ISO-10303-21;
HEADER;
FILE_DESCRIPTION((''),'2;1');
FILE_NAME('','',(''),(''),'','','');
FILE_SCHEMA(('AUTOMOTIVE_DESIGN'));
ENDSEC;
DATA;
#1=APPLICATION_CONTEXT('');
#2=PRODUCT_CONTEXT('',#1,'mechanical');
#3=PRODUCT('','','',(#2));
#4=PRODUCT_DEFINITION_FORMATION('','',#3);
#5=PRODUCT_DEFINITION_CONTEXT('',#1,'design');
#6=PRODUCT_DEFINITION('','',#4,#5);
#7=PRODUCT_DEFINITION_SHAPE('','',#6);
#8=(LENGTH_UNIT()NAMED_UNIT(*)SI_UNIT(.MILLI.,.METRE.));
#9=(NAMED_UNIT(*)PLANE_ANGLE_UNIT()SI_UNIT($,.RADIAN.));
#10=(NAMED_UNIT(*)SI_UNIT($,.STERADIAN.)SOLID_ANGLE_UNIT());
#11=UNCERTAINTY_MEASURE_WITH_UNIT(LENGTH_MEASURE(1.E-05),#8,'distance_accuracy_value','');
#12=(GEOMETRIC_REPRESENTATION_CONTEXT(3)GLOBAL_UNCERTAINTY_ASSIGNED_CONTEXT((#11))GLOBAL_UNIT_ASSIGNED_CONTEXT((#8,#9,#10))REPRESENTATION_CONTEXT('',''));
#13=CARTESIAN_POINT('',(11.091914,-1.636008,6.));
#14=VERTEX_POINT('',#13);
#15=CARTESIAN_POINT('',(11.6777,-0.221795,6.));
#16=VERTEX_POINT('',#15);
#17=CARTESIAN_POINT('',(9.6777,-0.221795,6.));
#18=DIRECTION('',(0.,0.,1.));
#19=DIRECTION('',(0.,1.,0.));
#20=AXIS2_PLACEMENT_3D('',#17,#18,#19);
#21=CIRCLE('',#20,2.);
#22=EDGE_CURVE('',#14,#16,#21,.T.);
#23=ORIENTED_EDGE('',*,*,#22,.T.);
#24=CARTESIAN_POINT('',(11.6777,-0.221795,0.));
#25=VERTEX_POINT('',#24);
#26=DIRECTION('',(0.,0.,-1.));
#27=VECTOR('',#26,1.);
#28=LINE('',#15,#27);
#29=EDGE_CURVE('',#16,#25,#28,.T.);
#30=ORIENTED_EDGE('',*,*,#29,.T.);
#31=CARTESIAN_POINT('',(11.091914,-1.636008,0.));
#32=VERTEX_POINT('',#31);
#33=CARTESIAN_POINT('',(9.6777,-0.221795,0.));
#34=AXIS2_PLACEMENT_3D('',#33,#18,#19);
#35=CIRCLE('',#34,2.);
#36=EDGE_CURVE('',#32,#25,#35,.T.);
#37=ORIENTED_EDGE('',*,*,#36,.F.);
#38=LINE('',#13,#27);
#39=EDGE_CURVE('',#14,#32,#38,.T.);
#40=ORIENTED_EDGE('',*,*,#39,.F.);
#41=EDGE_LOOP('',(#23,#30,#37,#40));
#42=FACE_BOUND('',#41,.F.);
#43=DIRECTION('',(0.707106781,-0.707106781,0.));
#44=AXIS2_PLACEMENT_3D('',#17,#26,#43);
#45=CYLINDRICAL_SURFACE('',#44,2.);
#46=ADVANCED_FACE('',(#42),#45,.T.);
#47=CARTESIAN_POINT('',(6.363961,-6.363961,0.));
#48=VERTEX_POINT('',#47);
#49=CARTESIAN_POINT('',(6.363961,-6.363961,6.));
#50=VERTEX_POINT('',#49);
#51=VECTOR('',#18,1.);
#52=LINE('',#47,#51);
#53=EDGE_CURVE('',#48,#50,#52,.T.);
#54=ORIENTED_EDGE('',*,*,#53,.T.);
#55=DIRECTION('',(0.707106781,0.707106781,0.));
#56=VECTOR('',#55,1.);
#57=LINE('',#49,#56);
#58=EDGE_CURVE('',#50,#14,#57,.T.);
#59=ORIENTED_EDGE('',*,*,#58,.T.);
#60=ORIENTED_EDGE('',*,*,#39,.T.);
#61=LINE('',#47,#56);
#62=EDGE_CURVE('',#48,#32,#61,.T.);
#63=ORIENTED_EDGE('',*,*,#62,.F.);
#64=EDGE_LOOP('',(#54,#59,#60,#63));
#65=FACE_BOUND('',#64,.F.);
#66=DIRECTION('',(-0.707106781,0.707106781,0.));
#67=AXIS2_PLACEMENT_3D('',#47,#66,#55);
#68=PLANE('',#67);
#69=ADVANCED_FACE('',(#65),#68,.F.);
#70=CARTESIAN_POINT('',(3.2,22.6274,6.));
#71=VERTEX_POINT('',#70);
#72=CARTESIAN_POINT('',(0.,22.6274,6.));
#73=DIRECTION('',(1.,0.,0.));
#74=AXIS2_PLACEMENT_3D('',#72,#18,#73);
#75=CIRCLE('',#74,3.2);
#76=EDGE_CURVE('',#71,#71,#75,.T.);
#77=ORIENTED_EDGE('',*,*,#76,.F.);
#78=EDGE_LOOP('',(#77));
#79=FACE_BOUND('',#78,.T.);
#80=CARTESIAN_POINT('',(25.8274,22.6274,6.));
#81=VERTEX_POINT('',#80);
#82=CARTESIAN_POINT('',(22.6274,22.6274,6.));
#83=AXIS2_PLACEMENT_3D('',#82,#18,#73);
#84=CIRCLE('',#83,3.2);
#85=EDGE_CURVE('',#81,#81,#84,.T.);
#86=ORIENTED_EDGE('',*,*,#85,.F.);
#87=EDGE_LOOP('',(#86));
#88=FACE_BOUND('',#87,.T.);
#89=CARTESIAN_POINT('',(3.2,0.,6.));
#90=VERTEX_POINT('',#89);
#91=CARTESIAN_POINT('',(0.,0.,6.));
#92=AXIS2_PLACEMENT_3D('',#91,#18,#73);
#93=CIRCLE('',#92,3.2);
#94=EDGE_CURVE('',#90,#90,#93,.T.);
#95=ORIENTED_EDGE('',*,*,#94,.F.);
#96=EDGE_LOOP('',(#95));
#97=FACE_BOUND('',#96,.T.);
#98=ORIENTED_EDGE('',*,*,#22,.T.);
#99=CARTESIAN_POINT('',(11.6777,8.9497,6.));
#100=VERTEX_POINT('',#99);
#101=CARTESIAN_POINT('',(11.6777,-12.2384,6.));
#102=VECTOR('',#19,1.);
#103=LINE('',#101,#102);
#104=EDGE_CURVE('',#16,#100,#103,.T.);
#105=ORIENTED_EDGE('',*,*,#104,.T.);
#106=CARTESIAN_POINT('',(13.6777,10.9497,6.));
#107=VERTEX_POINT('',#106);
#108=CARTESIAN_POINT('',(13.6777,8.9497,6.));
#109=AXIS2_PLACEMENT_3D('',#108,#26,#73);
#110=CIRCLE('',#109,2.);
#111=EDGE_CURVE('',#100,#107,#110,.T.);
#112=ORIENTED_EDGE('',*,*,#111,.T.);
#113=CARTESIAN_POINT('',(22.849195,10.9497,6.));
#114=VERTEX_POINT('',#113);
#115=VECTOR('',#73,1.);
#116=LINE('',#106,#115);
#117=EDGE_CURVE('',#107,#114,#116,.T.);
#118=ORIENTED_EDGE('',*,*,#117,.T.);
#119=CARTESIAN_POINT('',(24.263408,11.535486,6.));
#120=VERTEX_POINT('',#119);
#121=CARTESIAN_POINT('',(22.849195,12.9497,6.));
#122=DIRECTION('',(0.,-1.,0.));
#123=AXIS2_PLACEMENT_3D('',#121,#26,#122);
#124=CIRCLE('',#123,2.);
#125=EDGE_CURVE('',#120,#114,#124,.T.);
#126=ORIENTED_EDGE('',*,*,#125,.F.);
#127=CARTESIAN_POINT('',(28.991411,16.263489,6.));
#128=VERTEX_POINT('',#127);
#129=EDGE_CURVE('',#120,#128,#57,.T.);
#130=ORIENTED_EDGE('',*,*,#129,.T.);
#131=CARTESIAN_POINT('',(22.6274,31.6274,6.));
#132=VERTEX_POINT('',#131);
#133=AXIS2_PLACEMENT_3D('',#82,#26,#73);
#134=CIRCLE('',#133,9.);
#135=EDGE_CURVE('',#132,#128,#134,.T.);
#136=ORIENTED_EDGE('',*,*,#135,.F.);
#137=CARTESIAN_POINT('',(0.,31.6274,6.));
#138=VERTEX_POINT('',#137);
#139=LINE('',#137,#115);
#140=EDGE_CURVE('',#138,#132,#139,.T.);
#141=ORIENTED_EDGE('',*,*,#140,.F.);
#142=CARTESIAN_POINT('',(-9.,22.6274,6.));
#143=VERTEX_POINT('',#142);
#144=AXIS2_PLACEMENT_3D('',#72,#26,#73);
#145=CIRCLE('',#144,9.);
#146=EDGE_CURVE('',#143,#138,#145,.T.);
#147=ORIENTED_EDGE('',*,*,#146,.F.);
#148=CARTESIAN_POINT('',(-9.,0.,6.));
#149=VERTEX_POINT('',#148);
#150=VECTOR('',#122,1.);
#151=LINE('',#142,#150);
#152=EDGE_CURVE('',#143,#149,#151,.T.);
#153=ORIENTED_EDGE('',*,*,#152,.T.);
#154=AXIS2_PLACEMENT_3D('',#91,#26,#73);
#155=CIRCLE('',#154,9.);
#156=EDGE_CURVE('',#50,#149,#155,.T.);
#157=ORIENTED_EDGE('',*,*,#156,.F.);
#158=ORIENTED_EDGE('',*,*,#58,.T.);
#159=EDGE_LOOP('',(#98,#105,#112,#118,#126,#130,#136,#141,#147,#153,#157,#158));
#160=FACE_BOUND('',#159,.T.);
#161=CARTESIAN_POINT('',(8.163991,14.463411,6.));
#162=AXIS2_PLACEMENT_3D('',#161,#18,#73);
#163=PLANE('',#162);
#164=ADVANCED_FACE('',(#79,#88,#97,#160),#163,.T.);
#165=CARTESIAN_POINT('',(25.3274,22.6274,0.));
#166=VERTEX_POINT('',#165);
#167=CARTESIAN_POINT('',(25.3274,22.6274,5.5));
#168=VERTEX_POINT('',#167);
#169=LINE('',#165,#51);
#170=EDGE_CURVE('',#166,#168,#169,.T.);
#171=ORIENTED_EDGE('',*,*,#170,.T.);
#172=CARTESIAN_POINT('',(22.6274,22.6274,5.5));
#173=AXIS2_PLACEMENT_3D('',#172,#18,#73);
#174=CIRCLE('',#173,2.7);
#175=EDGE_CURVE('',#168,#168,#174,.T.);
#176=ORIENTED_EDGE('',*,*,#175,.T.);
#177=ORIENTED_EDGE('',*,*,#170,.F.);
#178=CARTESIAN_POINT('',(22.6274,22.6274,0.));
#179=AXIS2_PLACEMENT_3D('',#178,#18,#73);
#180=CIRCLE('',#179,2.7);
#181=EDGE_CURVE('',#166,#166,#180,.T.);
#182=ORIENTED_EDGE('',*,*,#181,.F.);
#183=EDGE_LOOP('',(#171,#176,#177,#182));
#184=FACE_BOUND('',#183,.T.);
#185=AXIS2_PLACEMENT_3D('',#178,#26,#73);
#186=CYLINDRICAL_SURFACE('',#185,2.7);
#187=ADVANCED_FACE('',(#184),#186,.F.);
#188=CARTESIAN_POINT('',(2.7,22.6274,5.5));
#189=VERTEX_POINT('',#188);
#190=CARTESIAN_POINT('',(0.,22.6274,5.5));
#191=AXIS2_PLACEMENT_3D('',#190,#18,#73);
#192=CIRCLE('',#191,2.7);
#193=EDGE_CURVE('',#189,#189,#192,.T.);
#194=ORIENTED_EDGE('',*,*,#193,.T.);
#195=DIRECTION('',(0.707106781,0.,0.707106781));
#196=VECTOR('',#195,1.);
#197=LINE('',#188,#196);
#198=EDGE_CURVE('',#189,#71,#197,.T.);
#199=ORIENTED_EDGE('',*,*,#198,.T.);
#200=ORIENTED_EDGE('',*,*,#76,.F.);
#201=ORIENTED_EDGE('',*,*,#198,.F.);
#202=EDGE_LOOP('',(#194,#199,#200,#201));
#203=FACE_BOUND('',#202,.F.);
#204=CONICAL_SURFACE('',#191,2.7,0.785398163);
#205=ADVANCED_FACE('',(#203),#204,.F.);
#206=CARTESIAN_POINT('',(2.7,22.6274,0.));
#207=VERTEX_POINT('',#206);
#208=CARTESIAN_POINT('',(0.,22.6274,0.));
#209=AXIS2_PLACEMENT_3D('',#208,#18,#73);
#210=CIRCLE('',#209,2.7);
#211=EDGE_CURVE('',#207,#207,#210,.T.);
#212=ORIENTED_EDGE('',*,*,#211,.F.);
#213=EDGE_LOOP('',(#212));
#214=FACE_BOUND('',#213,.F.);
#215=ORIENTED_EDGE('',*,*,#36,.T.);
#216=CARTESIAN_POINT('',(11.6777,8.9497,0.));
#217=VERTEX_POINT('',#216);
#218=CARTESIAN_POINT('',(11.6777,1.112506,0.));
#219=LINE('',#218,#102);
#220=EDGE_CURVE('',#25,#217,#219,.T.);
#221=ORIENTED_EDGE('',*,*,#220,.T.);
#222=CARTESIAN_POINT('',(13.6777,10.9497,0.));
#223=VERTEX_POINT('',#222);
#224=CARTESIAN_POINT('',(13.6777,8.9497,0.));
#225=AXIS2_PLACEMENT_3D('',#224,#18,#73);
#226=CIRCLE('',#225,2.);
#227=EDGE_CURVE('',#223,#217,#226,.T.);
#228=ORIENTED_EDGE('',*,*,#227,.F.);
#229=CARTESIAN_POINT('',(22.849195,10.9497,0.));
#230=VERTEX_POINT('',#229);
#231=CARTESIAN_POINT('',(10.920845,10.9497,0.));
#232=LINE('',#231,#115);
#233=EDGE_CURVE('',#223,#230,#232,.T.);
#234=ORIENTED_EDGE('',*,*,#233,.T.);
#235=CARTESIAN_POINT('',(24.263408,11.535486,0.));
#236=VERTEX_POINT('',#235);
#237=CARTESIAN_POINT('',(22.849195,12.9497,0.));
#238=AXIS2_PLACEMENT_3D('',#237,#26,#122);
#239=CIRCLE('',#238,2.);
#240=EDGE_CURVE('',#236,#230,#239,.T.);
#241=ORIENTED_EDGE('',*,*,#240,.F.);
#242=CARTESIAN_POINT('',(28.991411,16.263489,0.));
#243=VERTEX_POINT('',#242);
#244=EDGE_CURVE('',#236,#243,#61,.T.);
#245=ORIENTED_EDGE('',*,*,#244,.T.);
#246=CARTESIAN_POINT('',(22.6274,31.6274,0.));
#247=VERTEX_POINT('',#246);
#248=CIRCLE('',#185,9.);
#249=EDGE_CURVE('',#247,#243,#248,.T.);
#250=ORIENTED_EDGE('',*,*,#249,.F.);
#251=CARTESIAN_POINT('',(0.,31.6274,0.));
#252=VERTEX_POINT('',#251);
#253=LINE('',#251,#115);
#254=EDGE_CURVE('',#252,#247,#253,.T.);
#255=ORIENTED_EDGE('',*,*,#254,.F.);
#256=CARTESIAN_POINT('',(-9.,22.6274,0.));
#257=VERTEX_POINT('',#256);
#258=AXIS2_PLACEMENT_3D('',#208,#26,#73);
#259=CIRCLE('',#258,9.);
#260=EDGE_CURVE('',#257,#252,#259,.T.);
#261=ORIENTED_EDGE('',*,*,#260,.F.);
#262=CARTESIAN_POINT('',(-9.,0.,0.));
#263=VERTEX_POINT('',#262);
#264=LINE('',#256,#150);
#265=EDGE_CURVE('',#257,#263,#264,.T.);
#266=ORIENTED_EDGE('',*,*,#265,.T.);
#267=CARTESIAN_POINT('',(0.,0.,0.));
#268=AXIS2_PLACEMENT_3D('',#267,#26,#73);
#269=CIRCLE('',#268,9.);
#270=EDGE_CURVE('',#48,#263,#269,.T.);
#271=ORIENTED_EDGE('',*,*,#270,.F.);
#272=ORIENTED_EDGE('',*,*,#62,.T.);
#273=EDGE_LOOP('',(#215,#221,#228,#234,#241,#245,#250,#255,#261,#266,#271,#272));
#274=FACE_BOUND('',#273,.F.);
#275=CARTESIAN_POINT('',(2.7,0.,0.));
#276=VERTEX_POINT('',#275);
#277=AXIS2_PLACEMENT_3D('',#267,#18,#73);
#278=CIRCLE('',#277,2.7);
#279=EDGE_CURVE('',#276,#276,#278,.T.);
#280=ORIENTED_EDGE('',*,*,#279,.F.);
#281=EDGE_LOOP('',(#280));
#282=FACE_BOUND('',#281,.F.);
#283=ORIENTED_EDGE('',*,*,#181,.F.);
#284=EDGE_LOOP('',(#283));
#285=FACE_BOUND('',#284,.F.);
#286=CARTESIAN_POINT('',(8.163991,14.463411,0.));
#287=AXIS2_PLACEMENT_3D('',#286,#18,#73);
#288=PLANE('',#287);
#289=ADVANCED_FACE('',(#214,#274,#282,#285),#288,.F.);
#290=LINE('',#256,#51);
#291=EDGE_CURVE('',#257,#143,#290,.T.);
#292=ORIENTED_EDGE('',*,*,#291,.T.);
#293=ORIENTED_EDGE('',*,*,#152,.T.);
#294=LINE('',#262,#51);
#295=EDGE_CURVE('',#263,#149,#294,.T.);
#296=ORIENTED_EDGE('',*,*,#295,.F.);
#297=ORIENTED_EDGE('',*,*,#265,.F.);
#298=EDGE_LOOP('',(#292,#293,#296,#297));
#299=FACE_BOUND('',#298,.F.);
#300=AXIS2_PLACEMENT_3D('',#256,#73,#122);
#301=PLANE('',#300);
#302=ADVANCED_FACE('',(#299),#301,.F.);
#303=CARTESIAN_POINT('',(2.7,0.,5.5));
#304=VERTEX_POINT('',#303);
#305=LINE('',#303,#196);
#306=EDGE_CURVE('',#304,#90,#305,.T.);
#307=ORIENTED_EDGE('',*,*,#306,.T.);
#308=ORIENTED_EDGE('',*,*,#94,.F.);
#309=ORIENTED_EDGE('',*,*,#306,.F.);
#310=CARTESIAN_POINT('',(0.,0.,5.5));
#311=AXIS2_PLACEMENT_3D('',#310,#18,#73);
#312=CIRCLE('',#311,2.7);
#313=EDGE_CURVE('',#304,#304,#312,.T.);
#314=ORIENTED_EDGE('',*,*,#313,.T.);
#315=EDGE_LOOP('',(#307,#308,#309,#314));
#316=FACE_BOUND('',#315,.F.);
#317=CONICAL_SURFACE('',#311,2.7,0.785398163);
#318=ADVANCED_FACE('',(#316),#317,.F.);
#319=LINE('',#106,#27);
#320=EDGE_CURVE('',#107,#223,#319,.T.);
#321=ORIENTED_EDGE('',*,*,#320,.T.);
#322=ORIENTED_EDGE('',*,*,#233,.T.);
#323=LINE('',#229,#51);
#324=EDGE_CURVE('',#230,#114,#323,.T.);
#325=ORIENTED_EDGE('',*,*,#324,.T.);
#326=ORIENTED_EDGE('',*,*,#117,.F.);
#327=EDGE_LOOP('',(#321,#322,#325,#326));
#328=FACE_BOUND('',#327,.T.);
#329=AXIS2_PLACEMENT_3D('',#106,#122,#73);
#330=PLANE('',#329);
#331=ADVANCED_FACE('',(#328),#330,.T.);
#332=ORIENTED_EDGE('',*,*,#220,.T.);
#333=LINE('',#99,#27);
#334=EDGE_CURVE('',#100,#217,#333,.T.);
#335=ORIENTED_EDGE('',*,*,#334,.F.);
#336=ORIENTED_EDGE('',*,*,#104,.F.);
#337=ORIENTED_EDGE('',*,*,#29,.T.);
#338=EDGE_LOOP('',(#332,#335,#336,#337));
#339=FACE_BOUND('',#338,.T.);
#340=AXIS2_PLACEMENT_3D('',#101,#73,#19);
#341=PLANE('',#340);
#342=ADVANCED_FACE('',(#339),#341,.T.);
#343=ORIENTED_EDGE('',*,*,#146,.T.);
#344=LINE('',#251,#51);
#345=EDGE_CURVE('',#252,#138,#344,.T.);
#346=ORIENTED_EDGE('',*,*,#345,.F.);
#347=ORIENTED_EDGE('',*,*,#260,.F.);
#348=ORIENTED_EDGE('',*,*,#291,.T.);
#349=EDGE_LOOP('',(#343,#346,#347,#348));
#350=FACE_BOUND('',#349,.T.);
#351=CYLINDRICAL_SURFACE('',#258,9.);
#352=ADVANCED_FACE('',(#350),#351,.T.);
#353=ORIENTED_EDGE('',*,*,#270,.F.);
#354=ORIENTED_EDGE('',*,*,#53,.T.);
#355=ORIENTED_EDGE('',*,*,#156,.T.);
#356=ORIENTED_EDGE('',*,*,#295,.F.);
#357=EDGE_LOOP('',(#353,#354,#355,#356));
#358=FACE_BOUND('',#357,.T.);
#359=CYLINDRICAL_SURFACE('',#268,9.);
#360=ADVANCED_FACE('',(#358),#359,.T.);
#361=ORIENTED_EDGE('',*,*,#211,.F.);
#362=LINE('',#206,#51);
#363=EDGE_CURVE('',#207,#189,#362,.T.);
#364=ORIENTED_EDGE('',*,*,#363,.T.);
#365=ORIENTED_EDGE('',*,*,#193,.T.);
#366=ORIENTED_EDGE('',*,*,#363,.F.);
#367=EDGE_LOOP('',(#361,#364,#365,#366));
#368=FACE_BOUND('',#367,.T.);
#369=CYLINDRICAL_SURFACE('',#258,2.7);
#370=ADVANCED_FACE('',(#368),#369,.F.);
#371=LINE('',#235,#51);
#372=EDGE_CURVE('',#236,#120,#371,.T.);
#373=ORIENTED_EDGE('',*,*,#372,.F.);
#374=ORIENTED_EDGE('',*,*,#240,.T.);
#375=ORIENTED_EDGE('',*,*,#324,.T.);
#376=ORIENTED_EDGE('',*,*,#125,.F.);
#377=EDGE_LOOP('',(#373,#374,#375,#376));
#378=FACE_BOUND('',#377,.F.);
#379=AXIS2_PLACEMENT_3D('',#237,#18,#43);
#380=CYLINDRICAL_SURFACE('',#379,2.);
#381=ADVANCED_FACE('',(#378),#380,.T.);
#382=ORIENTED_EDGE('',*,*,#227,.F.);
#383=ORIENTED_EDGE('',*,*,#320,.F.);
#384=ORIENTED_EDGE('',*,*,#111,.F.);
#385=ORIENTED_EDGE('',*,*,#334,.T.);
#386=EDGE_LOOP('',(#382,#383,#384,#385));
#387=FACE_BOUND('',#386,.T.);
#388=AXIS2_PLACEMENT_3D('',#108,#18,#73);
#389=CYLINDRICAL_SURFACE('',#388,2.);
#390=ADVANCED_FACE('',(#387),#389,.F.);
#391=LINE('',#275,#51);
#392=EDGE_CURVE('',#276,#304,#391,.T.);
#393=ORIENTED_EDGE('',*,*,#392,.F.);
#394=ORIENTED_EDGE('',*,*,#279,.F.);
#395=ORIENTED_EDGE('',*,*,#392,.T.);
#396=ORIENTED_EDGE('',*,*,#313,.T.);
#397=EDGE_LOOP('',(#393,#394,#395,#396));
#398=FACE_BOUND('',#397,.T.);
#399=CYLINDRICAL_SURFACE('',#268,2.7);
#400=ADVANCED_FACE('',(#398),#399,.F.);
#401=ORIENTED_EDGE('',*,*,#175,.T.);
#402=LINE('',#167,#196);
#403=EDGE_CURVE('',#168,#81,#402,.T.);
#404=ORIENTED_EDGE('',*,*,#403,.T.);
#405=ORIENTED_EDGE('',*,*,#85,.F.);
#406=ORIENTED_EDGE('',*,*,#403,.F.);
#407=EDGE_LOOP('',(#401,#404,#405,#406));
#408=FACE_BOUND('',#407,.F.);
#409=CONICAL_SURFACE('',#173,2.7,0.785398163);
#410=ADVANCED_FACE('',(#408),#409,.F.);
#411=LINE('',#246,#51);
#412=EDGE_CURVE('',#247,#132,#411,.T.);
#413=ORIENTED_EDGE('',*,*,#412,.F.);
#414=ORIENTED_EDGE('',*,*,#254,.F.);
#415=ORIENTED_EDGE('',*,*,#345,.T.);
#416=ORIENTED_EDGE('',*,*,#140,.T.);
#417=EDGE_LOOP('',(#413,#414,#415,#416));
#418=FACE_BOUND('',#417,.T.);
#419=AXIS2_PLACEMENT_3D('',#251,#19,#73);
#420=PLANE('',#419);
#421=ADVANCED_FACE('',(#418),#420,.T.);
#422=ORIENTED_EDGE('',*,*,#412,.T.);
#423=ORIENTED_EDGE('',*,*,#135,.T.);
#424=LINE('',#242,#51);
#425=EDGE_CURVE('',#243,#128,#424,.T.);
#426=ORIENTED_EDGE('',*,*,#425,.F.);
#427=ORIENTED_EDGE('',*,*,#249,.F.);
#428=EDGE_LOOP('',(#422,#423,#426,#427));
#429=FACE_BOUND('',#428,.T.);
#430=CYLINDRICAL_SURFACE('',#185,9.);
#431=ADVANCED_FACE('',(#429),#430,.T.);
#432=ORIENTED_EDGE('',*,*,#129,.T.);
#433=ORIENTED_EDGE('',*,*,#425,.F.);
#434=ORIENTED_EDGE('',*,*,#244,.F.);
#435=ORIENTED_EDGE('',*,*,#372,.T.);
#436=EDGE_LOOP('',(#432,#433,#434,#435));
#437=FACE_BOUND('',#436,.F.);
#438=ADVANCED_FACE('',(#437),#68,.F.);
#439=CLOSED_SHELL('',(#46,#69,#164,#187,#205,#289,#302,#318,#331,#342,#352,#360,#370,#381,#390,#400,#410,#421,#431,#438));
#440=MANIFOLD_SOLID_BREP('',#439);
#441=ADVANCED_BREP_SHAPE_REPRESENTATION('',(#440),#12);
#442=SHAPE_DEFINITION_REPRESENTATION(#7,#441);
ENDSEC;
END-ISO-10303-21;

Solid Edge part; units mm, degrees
sketch "Sketch1" plane through (0, 0, 0) normal (0, 0, 1) x (1, 0, 0)
  line L0 (-9, 22.6274) -> (-9, 0)
  line L1 (6.364, -6.364) -> (28.9914, 16.2635)
  line L2 (0, 31.6274) -> (22.6274, 31.6274)
  arc A0 (6.364, -6.364) -> (-9, 0) centre (0, 0) cw
  arc A1 (22.6274, 31.6274) -> (28.9914, 16.2635) centre (22.6274, 22.6274) cw
  arc A2 (-9, 22.6274) -> (0, 31.6274) centre (0, 22.6274) cw
  circle A3 centre (0, 0) radius 2.7
  circle A4 centre (0, 22.6274) radius 2.7
  circle A5 centre (22.6274, 22.6274) radius 2.7
extrude "Protrusion1" add sketch "Sketch1" along normal blind 6
sketch "Sketch2" plane through (11.3137, 11.3137, 6) normal (0, 0, 1) x (1, 0, 0)
  line L0 (2.364, -0.364) -> (24.7236, -0.364)
  arc A0 (0.364, -2.364) -> (2.364, -0.364) centre (2.364, -2.364) cw
  line L1 (0.364, -23.5521) -> (0.364, -2.364)
extrude "Cutout1" cut sketch "Sketch2" against normal through all material side at (24.8575, 10.8997, 6)
fillet "Round_1" radius 2 2 edges at (11.6777, -1.0503, 3) (23.6777, 10.9497, 3)
chamfer "Chamfer_1" distance 0.5 angle 45 3 edges at (-2.7, 0, 6) (-2.7, 22.6274, 6) (19.9274, 22.6274, 6)
properties material "ABS Plastic, medium impact"
